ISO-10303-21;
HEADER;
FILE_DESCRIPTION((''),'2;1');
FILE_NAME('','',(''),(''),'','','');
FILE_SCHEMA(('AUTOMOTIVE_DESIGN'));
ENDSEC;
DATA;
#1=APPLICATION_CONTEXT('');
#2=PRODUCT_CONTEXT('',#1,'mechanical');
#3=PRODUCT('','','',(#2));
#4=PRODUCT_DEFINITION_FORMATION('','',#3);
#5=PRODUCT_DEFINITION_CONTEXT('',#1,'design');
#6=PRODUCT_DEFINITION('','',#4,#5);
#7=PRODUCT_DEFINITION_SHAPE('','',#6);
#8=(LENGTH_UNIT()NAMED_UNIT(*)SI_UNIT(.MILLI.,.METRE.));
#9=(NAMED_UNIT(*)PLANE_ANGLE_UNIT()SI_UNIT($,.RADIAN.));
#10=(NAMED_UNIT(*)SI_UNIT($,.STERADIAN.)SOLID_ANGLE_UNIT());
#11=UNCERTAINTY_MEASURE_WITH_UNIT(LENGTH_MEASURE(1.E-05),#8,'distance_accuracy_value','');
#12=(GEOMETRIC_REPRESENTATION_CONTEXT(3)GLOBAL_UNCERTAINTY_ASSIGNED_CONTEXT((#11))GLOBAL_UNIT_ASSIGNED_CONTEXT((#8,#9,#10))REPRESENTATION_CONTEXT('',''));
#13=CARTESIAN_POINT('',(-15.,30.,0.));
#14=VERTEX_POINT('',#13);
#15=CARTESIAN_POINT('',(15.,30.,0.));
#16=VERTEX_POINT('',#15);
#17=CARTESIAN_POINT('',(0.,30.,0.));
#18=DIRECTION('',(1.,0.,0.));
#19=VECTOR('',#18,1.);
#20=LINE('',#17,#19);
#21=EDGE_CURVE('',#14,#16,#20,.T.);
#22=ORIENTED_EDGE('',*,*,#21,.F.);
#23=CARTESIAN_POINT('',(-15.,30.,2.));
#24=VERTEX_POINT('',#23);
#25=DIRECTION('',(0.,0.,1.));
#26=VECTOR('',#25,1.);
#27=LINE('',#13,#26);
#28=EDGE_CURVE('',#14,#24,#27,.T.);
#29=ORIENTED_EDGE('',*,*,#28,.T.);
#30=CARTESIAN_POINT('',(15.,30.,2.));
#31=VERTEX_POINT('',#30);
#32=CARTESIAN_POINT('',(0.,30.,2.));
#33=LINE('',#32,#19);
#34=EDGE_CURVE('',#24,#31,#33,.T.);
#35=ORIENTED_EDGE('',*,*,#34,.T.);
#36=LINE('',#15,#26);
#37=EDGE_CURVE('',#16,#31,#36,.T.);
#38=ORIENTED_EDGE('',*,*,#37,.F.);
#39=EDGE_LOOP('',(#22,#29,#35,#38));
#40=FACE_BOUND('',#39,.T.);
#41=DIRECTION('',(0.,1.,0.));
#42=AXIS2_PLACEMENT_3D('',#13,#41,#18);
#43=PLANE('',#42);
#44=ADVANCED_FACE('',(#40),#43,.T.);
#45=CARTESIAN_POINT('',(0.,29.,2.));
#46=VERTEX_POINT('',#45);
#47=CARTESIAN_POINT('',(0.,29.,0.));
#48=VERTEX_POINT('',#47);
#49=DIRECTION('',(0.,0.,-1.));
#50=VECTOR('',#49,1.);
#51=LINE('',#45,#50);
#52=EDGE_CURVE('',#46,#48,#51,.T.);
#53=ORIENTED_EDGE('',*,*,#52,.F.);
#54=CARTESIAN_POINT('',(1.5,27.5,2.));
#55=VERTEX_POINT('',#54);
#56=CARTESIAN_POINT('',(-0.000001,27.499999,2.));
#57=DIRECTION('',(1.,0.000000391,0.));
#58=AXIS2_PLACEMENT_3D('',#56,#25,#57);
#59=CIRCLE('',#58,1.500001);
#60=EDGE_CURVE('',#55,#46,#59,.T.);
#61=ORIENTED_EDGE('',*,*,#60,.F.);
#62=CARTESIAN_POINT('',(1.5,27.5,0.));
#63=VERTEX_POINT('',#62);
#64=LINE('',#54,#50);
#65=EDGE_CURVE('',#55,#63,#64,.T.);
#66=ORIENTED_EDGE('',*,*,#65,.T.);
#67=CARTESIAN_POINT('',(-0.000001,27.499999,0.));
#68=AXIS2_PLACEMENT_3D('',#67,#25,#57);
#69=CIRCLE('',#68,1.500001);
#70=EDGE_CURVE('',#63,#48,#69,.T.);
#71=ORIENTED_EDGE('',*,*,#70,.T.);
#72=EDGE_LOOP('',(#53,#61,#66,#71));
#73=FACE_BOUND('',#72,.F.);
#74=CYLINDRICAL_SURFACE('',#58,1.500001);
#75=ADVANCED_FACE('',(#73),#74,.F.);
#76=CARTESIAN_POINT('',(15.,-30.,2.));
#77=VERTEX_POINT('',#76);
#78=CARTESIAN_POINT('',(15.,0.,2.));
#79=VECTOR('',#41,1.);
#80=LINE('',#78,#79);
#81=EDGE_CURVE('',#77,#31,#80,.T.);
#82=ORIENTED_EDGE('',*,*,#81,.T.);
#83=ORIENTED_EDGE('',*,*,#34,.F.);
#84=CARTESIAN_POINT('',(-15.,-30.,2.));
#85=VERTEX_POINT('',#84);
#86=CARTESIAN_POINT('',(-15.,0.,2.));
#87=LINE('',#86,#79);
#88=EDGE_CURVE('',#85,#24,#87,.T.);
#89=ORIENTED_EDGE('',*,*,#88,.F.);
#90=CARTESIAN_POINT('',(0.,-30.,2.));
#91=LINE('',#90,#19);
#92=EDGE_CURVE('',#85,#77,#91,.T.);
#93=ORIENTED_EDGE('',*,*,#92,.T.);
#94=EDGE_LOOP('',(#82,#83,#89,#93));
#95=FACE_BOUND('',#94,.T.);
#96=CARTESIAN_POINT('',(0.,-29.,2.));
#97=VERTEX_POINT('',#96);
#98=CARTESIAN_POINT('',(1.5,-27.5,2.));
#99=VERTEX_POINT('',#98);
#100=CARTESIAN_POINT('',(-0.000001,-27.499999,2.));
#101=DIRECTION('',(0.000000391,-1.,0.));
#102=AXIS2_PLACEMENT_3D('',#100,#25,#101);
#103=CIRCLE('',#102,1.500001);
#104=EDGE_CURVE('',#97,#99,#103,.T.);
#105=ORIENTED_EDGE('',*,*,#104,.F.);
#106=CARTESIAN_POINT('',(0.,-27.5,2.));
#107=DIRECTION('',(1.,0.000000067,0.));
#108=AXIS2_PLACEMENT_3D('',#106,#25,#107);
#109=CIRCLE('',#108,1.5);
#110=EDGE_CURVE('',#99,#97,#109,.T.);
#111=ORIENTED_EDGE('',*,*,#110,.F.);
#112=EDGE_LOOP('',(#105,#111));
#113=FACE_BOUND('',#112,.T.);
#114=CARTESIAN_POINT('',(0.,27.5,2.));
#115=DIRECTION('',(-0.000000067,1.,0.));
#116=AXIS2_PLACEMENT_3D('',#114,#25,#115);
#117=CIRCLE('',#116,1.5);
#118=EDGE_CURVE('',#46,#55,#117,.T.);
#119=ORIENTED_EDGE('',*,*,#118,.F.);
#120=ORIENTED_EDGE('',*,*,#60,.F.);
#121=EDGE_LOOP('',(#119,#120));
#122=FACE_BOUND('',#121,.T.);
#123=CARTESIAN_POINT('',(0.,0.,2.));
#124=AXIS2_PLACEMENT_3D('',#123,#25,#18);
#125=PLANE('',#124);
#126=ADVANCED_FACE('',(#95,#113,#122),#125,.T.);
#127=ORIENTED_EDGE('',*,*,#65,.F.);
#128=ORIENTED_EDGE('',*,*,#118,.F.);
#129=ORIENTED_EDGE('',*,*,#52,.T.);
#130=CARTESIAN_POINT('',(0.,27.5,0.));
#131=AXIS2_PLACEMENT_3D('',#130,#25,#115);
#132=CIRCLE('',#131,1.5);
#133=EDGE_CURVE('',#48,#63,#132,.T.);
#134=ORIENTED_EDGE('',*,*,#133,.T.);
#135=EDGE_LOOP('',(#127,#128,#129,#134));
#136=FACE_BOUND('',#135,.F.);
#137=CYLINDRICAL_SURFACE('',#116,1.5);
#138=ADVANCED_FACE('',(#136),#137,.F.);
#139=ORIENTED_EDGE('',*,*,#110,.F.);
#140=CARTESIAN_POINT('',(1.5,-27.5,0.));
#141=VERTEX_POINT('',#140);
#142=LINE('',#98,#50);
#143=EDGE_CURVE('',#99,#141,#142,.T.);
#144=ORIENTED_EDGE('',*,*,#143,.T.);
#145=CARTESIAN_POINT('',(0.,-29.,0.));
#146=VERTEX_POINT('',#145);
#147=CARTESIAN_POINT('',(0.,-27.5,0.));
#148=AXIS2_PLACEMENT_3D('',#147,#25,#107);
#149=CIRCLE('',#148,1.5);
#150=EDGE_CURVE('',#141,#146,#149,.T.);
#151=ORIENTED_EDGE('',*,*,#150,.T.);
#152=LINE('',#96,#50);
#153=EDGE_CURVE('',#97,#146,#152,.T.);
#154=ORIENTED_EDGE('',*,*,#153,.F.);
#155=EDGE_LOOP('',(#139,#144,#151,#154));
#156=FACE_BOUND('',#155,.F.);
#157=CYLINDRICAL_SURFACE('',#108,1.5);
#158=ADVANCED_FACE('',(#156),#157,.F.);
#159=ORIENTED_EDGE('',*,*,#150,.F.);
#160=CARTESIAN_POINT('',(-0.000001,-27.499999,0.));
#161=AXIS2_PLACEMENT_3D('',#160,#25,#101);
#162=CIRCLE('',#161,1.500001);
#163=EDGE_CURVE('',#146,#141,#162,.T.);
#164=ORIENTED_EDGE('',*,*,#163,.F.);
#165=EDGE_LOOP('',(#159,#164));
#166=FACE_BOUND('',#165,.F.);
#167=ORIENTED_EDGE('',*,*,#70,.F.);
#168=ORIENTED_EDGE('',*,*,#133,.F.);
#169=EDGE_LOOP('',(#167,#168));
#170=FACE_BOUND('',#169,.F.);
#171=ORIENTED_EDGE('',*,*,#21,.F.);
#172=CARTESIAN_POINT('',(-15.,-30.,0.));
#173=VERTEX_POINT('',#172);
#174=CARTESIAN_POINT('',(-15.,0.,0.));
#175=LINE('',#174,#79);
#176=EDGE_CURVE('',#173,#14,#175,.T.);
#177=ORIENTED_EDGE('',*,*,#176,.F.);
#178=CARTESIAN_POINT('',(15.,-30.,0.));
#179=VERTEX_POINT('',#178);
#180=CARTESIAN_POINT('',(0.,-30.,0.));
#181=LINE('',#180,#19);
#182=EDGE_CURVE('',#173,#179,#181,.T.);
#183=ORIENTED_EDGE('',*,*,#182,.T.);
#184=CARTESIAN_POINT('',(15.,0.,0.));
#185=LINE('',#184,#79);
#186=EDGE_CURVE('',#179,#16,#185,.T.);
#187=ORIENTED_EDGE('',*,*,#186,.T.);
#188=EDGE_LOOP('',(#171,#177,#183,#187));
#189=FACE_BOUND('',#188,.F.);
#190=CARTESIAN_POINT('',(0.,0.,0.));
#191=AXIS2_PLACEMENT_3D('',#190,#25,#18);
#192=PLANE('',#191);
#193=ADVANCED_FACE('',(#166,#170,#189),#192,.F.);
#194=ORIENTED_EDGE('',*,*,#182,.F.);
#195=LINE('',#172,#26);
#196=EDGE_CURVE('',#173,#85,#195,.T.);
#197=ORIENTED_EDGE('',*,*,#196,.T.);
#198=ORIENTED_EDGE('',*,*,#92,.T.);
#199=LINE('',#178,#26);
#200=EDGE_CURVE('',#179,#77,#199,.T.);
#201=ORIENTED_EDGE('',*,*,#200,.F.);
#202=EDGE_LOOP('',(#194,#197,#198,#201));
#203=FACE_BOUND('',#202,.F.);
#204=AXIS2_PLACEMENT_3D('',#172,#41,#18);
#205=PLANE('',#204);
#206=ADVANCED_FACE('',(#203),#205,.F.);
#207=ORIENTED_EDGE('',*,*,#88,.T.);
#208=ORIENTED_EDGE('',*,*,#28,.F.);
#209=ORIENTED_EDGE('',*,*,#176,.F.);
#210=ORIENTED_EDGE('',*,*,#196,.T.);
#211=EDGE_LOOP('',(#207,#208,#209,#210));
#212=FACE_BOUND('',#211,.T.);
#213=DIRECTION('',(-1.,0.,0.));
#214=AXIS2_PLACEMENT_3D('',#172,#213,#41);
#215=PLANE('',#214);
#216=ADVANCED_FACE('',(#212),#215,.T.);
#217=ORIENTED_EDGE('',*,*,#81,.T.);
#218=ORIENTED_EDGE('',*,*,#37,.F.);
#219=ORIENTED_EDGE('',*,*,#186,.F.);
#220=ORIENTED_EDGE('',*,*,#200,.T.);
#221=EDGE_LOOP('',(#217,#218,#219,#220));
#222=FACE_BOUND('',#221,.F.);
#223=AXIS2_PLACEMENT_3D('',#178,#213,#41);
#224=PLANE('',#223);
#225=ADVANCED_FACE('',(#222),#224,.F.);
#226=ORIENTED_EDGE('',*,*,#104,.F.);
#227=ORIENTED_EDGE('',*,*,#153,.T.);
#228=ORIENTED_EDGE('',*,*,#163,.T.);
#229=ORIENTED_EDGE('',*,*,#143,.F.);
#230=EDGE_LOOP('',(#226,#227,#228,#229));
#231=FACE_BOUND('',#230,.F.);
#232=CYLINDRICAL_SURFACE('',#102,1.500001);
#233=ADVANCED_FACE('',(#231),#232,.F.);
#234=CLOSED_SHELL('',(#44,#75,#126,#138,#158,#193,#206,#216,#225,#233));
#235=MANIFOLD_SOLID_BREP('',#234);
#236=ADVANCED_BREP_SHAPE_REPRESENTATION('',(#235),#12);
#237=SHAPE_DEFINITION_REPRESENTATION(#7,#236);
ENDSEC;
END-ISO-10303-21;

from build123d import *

# Parameters (mm, degrees)
F0_W     = 30
F0_H     = 60
F1_DEPTH = 2
F3_DEPTH = 25


with BuildPart() as f1:
    # F0 (on Top) → F1 (new body)
    with BuildSketch(Plane.XY):
        Rectangle(F0_W, F0_H)
    extrude(amount=F1_DEPTH)

    # F2 (on face) → F3 (cut)
    with BuildSketch(Plane.XY.offset(2)):
        with BuildLine():
            ThreePointArc((1.5, -27.5), (-1.06066, -26.43934), (0, -29))
            ThreePointArc((0, -29), (1.06066, -28.56066), (1.5, -27.5))
        make_face()
        with BuildLine():
            ThreePointArc((1.5, 27.5), (1.06066, 28.56066), (0, 29))
            ThreePointArc((0, 29), (-1.06066, 26.43934), (1.5, 27.5))
        make_face()
    extrude(amount=-F3_DEPTH, mode=Mode.SUBTRACT)


solid = f1.part
